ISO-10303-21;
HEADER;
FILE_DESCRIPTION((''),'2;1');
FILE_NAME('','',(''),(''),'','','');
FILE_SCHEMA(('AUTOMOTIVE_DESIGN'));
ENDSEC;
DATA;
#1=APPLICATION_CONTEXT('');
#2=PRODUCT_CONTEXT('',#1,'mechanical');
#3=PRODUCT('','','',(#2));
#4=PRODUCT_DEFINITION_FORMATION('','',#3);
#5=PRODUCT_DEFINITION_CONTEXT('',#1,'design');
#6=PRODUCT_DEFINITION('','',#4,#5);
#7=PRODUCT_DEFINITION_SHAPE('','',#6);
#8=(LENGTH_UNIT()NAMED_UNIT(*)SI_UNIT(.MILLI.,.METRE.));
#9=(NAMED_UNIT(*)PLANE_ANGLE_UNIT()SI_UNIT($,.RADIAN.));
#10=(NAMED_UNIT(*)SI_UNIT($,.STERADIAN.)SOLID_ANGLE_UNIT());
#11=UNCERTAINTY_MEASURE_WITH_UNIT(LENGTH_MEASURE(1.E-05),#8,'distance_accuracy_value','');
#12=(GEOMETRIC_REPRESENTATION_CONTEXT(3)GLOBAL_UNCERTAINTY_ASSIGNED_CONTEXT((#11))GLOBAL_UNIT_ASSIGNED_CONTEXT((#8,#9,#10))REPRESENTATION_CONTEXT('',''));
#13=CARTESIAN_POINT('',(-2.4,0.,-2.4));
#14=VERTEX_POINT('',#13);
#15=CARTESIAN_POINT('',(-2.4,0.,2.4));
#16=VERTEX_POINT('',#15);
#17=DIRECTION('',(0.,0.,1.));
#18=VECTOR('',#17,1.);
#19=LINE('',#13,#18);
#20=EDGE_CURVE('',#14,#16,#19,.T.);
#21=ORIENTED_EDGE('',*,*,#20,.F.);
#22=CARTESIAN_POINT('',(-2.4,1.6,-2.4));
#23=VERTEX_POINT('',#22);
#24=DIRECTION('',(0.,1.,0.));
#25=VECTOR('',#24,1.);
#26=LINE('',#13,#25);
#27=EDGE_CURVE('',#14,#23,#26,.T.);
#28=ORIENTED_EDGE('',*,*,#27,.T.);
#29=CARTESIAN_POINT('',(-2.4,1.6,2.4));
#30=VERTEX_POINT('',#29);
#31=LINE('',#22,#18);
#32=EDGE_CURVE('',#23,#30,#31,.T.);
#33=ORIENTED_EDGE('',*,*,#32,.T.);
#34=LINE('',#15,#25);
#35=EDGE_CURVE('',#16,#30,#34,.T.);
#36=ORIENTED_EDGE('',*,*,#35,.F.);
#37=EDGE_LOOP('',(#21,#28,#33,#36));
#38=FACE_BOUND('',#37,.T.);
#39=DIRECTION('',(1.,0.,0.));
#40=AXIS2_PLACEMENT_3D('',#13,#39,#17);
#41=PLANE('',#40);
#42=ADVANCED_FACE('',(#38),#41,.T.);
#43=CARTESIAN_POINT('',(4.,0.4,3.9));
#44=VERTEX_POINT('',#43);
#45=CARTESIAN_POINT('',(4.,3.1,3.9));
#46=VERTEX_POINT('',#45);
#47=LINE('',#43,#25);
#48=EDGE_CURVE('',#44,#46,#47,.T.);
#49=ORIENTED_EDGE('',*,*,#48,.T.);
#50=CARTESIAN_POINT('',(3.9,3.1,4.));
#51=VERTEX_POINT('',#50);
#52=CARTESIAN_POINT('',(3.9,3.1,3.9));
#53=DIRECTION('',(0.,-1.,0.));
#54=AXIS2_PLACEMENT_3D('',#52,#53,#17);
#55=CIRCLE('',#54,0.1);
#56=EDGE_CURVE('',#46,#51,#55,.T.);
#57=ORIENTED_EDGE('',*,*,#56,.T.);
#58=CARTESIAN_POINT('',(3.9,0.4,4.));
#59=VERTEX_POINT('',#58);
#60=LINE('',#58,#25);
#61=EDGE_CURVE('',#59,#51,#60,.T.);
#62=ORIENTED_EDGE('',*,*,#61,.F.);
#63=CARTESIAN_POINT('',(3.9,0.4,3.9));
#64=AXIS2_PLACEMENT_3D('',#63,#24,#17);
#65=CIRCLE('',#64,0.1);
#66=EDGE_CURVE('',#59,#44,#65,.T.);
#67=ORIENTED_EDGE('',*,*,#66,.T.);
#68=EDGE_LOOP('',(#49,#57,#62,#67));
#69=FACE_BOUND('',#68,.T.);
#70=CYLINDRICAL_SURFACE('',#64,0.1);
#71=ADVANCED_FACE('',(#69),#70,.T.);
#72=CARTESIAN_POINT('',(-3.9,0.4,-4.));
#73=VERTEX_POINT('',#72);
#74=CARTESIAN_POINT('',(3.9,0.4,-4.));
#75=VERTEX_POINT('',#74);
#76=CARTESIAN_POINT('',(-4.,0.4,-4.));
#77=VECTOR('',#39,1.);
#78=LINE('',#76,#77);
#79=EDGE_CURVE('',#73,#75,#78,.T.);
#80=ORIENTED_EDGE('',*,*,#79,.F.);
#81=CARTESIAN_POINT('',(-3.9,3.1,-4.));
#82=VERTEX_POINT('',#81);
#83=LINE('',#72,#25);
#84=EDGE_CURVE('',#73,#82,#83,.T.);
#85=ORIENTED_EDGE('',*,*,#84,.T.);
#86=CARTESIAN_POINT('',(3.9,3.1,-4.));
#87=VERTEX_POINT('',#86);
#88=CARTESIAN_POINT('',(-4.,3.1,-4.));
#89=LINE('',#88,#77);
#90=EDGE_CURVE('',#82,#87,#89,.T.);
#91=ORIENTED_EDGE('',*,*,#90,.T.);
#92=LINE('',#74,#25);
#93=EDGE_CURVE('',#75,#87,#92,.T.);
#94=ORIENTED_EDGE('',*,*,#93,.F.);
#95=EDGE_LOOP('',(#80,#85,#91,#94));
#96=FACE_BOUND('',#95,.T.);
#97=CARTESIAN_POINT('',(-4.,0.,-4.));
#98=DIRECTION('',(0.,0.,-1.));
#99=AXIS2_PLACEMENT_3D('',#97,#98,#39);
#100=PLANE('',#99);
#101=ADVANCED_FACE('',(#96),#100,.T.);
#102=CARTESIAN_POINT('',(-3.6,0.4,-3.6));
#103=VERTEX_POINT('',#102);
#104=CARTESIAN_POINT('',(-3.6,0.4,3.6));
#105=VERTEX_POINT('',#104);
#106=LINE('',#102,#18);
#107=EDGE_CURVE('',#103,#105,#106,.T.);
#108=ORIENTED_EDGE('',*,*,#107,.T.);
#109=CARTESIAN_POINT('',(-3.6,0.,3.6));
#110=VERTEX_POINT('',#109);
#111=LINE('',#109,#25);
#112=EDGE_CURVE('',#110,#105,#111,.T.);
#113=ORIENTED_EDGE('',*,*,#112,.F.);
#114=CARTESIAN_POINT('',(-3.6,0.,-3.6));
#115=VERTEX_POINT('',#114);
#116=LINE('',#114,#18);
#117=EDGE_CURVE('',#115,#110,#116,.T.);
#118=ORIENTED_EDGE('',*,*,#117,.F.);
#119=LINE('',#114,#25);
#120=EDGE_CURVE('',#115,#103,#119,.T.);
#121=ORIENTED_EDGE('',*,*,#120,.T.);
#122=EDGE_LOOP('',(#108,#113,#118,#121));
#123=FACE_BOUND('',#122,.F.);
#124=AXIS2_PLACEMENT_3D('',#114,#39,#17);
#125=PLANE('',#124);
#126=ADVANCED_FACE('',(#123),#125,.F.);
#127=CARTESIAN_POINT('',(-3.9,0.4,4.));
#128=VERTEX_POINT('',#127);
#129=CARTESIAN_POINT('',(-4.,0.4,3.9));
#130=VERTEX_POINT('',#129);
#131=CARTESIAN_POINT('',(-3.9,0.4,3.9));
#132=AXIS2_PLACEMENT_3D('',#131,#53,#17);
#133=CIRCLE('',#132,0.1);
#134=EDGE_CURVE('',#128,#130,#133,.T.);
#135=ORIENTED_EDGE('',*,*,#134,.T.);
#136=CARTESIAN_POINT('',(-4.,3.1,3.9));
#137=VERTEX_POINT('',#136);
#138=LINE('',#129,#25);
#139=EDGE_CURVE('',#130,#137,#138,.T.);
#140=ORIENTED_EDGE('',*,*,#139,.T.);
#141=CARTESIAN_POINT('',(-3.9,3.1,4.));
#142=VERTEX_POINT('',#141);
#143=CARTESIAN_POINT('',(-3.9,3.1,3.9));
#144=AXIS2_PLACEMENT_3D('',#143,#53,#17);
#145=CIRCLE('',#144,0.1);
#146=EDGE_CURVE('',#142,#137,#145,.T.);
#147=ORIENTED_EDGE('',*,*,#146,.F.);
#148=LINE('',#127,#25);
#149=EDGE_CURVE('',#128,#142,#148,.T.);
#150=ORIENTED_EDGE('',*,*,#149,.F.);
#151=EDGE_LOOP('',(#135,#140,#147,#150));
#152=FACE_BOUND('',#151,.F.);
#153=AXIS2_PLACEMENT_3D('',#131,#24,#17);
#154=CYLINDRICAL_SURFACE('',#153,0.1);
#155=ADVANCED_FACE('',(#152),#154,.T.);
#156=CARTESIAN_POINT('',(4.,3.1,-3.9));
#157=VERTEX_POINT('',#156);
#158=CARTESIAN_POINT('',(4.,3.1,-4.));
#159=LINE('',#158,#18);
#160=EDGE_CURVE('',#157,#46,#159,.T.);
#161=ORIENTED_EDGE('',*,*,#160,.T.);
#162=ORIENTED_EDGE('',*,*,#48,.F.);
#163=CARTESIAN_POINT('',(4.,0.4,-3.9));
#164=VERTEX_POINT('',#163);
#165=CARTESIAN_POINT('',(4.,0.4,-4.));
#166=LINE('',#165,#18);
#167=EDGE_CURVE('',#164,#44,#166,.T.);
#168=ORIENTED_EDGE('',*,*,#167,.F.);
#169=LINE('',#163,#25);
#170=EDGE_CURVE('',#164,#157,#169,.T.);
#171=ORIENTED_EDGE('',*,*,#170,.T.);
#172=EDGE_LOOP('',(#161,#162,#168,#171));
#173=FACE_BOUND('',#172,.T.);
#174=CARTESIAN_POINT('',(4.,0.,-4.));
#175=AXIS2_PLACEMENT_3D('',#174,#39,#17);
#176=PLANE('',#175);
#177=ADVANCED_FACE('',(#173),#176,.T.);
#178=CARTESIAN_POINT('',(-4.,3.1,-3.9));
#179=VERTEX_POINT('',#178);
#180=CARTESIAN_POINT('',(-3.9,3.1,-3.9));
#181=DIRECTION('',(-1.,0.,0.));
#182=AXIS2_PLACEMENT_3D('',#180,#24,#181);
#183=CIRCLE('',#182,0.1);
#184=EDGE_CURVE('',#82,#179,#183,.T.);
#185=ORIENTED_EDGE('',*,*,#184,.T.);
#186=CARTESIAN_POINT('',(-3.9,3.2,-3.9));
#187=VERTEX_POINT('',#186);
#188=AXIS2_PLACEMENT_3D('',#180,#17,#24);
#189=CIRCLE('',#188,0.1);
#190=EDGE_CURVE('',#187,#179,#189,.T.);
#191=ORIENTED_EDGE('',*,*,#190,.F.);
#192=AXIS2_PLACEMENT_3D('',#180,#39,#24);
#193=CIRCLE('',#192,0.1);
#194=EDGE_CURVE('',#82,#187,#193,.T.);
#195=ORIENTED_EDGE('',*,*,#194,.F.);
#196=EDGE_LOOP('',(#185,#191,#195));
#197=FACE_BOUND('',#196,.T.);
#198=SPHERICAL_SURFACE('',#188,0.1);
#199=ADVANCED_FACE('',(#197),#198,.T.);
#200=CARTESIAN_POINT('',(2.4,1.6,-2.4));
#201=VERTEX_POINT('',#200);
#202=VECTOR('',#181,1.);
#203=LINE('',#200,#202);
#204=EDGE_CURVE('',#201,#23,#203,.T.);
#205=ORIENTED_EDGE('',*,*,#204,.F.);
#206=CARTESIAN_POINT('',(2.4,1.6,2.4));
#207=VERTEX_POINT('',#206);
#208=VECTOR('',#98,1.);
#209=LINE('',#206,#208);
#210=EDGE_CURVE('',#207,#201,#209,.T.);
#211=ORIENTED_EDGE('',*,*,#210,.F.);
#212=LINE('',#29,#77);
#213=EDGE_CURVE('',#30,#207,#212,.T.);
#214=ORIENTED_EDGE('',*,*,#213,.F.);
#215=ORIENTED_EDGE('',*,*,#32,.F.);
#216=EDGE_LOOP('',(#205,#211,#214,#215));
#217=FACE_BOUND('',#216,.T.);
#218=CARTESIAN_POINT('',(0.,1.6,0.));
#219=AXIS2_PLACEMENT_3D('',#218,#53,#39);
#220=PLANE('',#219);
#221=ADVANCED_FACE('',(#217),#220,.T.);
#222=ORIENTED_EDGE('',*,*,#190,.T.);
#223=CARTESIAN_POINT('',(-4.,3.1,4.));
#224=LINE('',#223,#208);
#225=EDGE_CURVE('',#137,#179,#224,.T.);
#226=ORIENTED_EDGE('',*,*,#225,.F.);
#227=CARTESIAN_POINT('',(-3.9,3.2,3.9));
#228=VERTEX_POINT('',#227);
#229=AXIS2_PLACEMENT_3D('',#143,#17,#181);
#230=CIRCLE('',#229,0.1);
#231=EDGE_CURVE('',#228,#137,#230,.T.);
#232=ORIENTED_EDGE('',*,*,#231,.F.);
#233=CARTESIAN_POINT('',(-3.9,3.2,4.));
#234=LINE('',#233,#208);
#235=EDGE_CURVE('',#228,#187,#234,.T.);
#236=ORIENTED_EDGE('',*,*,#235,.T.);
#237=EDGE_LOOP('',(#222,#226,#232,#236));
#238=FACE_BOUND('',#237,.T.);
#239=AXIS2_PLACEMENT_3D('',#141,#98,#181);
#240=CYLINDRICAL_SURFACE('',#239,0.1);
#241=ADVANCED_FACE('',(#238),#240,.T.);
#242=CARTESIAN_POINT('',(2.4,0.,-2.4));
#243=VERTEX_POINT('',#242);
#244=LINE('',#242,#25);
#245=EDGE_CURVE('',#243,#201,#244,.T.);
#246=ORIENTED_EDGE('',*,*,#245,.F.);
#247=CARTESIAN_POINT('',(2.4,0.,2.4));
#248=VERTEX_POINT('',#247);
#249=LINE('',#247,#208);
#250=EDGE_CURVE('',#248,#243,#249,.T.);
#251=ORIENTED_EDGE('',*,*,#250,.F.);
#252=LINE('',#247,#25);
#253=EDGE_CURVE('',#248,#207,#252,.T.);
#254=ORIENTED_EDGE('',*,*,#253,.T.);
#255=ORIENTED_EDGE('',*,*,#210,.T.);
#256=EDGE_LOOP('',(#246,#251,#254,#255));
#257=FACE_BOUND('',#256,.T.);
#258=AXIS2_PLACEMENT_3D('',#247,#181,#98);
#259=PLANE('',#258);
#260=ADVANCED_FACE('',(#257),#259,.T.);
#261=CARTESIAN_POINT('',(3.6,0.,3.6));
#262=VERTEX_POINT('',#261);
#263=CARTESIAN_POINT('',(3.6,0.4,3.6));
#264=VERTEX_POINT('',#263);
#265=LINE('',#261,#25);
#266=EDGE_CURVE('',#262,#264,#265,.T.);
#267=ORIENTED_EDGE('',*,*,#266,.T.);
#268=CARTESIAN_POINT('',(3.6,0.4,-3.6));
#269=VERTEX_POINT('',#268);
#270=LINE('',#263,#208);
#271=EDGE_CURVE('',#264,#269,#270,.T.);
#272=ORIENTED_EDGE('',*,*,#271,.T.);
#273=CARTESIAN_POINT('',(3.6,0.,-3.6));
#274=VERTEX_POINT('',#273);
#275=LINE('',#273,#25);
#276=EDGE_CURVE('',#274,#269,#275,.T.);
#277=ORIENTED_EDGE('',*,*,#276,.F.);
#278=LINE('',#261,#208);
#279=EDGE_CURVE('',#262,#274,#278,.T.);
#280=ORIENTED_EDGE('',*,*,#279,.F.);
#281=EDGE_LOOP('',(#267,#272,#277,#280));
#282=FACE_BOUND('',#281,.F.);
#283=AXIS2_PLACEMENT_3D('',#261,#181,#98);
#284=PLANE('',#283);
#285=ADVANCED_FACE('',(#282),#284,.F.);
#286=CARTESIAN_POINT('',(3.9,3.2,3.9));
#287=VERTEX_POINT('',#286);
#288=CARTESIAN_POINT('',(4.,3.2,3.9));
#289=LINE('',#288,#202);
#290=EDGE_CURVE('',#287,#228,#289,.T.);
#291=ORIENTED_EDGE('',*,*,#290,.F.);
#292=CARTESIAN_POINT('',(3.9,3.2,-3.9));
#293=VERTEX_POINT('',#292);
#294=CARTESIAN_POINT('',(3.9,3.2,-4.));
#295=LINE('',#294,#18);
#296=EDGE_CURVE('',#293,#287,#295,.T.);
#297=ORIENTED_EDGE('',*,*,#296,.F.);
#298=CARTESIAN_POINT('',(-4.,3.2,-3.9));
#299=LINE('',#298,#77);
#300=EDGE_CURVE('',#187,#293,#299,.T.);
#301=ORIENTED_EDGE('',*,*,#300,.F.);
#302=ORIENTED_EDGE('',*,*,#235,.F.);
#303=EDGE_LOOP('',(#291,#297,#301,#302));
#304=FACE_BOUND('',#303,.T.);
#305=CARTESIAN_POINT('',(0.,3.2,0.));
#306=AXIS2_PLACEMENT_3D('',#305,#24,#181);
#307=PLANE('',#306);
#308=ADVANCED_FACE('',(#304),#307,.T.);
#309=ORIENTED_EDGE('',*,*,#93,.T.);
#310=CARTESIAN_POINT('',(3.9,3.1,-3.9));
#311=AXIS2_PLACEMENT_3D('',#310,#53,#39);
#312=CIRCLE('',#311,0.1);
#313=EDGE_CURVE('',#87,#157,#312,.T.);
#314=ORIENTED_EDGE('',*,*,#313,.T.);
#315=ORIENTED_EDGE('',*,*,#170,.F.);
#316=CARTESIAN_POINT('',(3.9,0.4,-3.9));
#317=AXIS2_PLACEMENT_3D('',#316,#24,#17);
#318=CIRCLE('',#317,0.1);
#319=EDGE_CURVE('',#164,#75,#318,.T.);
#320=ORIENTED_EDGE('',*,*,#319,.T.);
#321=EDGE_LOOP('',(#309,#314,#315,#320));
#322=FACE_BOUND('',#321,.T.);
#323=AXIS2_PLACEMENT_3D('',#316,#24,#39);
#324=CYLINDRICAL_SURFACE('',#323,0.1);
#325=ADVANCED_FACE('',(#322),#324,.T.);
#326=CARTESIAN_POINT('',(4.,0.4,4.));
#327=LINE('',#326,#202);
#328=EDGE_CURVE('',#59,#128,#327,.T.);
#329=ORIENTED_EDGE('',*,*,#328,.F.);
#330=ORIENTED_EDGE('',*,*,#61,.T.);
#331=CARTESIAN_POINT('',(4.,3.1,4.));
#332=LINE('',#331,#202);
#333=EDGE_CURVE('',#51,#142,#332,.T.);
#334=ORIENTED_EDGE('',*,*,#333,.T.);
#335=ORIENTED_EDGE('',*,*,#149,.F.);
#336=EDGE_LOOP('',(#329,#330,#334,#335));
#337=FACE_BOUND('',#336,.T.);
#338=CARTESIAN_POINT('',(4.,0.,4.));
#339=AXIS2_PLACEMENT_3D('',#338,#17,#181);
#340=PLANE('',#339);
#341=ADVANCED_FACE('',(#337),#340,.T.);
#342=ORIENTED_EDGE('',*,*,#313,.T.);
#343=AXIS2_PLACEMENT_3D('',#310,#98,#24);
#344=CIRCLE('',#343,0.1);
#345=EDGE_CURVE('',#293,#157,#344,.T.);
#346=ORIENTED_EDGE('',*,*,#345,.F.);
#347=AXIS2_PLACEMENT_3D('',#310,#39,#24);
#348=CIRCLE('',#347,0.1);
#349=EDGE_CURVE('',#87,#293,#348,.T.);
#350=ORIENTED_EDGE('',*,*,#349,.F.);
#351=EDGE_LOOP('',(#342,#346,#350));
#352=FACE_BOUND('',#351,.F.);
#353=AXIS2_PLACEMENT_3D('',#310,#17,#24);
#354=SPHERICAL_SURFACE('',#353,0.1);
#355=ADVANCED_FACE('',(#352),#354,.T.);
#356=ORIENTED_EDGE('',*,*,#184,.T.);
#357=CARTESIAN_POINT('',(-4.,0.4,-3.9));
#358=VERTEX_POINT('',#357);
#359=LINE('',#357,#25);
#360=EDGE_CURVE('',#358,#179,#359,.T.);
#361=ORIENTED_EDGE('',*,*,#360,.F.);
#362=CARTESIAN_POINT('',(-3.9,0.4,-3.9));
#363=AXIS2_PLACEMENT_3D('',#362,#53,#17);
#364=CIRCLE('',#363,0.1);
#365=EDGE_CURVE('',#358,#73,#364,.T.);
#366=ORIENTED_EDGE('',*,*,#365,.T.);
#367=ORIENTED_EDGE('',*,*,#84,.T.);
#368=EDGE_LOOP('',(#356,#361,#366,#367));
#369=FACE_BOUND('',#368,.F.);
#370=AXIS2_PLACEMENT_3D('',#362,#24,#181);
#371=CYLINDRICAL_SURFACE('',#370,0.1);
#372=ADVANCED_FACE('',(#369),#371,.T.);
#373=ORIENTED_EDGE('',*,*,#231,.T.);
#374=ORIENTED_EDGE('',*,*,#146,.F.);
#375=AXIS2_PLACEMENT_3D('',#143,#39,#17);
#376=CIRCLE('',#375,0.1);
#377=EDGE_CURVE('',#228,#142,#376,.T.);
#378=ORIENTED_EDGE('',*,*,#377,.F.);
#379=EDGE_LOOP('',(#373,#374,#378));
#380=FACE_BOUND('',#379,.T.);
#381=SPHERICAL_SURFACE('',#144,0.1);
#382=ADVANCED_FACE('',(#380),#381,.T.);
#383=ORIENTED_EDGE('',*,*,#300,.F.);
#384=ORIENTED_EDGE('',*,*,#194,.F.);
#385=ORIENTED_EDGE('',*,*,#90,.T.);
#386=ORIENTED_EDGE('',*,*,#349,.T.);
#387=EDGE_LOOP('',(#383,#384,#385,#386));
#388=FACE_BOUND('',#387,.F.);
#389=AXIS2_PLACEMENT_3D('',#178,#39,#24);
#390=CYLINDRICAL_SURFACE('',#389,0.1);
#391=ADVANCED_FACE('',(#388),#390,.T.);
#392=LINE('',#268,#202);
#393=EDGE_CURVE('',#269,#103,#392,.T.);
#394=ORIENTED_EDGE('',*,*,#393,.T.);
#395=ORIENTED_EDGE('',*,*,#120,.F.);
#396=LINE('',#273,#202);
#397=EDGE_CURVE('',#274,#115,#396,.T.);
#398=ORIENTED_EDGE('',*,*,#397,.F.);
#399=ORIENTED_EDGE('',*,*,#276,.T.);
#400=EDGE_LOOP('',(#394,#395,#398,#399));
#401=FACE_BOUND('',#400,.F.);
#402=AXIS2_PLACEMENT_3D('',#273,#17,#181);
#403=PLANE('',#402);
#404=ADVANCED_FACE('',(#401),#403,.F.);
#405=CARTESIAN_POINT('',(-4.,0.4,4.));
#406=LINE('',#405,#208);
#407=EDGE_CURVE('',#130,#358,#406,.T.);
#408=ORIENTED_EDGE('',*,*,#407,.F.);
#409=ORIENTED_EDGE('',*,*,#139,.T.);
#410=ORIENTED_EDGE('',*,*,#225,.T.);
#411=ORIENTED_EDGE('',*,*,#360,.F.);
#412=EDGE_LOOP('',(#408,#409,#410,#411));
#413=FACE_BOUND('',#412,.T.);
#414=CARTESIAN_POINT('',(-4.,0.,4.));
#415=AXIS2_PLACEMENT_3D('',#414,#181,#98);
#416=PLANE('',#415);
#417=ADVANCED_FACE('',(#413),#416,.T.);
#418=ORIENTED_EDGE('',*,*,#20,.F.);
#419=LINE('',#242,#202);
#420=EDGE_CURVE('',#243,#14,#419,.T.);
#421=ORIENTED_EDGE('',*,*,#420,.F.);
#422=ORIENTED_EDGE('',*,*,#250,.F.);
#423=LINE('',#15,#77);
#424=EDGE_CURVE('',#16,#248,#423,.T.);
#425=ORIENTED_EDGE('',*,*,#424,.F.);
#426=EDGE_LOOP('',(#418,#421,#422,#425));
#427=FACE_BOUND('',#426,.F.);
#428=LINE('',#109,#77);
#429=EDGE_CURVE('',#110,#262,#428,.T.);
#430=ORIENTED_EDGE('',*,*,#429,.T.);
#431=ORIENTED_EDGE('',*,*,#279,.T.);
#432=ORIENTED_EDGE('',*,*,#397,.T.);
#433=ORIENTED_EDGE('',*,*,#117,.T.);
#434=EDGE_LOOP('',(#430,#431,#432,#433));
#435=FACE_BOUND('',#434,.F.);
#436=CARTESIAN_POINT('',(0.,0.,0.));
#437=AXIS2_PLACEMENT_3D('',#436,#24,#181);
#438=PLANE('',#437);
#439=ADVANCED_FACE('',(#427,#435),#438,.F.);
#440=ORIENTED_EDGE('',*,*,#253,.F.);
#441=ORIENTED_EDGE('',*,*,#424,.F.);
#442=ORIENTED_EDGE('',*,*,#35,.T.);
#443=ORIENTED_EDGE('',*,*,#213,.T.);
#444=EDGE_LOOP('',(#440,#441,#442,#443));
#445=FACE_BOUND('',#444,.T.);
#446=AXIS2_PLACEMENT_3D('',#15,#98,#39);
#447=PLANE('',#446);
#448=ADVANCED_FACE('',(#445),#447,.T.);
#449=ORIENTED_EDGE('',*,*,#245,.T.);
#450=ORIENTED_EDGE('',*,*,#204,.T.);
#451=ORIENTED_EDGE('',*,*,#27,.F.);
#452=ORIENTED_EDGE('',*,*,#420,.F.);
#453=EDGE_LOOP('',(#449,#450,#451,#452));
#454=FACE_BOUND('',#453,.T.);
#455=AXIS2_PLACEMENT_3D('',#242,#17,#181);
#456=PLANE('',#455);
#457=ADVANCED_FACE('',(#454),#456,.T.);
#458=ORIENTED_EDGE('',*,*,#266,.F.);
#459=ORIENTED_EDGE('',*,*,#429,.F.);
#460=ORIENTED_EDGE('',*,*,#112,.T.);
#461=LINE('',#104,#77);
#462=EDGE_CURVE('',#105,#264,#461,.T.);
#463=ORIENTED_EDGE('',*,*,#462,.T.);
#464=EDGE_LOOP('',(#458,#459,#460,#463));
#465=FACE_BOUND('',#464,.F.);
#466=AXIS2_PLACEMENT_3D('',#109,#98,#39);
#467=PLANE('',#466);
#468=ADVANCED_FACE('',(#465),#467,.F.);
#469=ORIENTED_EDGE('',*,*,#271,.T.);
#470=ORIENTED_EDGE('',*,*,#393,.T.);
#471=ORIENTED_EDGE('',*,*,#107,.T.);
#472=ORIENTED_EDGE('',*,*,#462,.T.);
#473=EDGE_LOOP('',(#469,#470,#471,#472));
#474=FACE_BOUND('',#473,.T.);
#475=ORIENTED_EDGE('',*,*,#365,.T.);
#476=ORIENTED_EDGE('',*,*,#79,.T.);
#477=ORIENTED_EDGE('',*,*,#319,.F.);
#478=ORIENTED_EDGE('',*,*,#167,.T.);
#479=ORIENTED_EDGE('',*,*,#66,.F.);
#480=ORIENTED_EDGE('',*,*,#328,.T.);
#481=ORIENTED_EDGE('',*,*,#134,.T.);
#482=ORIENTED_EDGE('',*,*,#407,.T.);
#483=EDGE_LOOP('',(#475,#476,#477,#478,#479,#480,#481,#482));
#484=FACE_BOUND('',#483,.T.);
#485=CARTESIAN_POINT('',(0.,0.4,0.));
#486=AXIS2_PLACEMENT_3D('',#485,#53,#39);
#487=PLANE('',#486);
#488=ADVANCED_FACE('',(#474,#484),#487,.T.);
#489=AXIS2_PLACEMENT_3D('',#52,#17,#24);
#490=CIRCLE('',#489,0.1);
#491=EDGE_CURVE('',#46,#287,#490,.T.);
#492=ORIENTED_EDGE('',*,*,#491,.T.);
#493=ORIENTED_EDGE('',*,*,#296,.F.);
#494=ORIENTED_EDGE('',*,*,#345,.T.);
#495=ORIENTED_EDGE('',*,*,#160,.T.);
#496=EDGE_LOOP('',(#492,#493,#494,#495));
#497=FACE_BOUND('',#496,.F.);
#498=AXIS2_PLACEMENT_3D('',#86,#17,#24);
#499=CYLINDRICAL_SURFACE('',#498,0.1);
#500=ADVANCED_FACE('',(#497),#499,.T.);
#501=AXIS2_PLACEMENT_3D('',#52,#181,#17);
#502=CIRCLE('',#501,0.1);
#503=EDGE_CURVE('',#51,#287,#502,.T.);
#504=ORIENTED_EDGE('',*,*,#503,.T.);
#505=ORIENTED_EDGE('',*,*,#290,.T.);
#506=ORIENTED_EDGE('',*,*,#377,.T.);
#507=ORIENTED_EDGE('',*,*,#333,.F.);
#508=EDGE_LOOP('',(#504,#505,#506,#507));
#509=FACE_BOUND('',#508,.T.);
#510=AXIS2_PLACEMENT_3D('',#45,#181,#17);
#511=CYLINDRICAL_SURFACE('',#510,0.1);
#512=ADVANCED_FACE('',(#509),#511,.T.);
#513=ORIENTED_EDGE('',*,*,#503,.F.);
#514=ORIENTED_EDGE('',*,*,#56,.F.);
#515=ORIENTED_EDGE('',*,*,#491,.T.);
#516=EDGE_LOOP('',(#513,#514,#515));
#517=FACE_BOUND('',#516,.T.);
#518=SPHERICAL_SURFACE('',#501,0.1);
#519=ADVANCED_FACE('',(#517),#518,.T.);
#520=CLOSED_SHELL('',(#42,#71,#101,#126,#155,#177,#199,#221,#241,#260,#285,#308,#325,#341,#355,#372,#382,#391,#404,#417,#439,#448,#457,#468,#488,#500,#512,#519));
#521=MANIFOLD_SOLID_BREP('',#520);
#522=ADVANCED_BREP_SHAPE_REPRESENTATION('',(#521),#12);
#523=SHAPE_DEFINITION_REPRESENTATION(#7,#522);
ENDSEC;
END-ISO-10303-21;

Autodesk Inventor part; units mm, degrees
ref_plane "YZ Plane" through (0, 0, 0) normal (1, 0, 0) x (0, 1, 0)
ref_plane "XZ Plane" through (0, 0, 0) normal (0, 1, 0) x (-1, 0, 0)
ref_plane "XY Plane" through (0, 0, 0) normal (0, 0, 1) x (1, 0, 0)
sketch "Sketch2" plane through (0, 0, 0) normal (0, 1, 0) x (-1, 0, 0)
  line L0 (-4, 4) -> (4, 4)
  line L1 (4, 4) -> (4, -4)
  line L2 (4, -4) -> (-4, -4)
  line L3 (-4, -4) -> (-4, 4)
  point P0 (0, 0)
  point P1 (0, 4)
  point P2 (-4, 0)
  dimension "d0" = 8
  dimension "d1" = 8
extrude "Extrusion1" add sketch "Sketch2" along normal blind 3.2
sketch "Sketch3" plane through (0, 0, 0) normal (0, -1, 0) x (1, 0, 0)
  line L0 (4, 4) -> (-4, 4) projected
  line L1 (-4, 4) -> (-4, -4) projected
  line L2 (-2.4, 2.4) -> (2.4, 2.4)
  line L3 (2.4, 2.4) -> (2.4, -2.4)
  line L4 (2.4, -2.4) -> (-2.4, -2.4)
  line L5 (-2.4, -2.4) -> (-2.4, 2.4)
  line L6 (-4, -4) -> (4, -4) projected
  line L7 (4, -4) -> (4, 4) projected
  line L8 (-3.6, 3.6) -> (3.6, 3.6)
  line L9 (3.6, 3.6) -> (3.6, -3.6)
  line L10 (3.6, -3.6) -> (-3.6, -3.6)
  line L11 (-3.6, -3.6) -> (-3.6, 3.6)
  point P0 (0, 0)
  point P1 (-2.4, 0)
  point P2 (0, 2.4)
  point P3 (0, 0)
  point P4 (-3.6, 0)
  point P5 (0, 3.6)
  dimension "d8" = 1.6
  dimension "d62" = 1.6
  dimension "d98" = 0.4
  dimension "d99" = 0.4
extrude "Extrusion2" cut sketch "Sketch3" against normal blind 1.6 contours L2 L3 L4 L5
extrude "Extrusion7" cut sketch "Sketch3" against normal blind 0.4 contours L7 L6 L1 L0
fillet "Fillet1" radius 0.1 8 edges at (-4, 1.8, 4) (0, 3.2, 4) (-4, 3.2, 0) (4, 1.8, 4) (4, 3.2, 0) (0, 3.2, -4) (4, 1.8, -4) (-4, 1.8, -4)
equation "\"d4\" = 0.333333 * lh"
equation "\"d8\" = d62"
equation "\"d62\" = wall"
equation "\"d98\" = gw"
equation "\"d99\" = d98"
equation "\"d11\" = 0.333333 * lh - topthk"
equation "\"d100\" = gh"
equation "\"d22\" = lf"
equation "\"lh\" = 9.6"
equation "\"wall\" = 1.6"
equation "\"gw\" = 0.4"
equation "\"topthk\" = 1.6"
equation "\"gh\" = 0.4"
equation "\"lf\" = 0.1"
properties part number "3070b-DkBluishGray" material "ABS Plastic"
